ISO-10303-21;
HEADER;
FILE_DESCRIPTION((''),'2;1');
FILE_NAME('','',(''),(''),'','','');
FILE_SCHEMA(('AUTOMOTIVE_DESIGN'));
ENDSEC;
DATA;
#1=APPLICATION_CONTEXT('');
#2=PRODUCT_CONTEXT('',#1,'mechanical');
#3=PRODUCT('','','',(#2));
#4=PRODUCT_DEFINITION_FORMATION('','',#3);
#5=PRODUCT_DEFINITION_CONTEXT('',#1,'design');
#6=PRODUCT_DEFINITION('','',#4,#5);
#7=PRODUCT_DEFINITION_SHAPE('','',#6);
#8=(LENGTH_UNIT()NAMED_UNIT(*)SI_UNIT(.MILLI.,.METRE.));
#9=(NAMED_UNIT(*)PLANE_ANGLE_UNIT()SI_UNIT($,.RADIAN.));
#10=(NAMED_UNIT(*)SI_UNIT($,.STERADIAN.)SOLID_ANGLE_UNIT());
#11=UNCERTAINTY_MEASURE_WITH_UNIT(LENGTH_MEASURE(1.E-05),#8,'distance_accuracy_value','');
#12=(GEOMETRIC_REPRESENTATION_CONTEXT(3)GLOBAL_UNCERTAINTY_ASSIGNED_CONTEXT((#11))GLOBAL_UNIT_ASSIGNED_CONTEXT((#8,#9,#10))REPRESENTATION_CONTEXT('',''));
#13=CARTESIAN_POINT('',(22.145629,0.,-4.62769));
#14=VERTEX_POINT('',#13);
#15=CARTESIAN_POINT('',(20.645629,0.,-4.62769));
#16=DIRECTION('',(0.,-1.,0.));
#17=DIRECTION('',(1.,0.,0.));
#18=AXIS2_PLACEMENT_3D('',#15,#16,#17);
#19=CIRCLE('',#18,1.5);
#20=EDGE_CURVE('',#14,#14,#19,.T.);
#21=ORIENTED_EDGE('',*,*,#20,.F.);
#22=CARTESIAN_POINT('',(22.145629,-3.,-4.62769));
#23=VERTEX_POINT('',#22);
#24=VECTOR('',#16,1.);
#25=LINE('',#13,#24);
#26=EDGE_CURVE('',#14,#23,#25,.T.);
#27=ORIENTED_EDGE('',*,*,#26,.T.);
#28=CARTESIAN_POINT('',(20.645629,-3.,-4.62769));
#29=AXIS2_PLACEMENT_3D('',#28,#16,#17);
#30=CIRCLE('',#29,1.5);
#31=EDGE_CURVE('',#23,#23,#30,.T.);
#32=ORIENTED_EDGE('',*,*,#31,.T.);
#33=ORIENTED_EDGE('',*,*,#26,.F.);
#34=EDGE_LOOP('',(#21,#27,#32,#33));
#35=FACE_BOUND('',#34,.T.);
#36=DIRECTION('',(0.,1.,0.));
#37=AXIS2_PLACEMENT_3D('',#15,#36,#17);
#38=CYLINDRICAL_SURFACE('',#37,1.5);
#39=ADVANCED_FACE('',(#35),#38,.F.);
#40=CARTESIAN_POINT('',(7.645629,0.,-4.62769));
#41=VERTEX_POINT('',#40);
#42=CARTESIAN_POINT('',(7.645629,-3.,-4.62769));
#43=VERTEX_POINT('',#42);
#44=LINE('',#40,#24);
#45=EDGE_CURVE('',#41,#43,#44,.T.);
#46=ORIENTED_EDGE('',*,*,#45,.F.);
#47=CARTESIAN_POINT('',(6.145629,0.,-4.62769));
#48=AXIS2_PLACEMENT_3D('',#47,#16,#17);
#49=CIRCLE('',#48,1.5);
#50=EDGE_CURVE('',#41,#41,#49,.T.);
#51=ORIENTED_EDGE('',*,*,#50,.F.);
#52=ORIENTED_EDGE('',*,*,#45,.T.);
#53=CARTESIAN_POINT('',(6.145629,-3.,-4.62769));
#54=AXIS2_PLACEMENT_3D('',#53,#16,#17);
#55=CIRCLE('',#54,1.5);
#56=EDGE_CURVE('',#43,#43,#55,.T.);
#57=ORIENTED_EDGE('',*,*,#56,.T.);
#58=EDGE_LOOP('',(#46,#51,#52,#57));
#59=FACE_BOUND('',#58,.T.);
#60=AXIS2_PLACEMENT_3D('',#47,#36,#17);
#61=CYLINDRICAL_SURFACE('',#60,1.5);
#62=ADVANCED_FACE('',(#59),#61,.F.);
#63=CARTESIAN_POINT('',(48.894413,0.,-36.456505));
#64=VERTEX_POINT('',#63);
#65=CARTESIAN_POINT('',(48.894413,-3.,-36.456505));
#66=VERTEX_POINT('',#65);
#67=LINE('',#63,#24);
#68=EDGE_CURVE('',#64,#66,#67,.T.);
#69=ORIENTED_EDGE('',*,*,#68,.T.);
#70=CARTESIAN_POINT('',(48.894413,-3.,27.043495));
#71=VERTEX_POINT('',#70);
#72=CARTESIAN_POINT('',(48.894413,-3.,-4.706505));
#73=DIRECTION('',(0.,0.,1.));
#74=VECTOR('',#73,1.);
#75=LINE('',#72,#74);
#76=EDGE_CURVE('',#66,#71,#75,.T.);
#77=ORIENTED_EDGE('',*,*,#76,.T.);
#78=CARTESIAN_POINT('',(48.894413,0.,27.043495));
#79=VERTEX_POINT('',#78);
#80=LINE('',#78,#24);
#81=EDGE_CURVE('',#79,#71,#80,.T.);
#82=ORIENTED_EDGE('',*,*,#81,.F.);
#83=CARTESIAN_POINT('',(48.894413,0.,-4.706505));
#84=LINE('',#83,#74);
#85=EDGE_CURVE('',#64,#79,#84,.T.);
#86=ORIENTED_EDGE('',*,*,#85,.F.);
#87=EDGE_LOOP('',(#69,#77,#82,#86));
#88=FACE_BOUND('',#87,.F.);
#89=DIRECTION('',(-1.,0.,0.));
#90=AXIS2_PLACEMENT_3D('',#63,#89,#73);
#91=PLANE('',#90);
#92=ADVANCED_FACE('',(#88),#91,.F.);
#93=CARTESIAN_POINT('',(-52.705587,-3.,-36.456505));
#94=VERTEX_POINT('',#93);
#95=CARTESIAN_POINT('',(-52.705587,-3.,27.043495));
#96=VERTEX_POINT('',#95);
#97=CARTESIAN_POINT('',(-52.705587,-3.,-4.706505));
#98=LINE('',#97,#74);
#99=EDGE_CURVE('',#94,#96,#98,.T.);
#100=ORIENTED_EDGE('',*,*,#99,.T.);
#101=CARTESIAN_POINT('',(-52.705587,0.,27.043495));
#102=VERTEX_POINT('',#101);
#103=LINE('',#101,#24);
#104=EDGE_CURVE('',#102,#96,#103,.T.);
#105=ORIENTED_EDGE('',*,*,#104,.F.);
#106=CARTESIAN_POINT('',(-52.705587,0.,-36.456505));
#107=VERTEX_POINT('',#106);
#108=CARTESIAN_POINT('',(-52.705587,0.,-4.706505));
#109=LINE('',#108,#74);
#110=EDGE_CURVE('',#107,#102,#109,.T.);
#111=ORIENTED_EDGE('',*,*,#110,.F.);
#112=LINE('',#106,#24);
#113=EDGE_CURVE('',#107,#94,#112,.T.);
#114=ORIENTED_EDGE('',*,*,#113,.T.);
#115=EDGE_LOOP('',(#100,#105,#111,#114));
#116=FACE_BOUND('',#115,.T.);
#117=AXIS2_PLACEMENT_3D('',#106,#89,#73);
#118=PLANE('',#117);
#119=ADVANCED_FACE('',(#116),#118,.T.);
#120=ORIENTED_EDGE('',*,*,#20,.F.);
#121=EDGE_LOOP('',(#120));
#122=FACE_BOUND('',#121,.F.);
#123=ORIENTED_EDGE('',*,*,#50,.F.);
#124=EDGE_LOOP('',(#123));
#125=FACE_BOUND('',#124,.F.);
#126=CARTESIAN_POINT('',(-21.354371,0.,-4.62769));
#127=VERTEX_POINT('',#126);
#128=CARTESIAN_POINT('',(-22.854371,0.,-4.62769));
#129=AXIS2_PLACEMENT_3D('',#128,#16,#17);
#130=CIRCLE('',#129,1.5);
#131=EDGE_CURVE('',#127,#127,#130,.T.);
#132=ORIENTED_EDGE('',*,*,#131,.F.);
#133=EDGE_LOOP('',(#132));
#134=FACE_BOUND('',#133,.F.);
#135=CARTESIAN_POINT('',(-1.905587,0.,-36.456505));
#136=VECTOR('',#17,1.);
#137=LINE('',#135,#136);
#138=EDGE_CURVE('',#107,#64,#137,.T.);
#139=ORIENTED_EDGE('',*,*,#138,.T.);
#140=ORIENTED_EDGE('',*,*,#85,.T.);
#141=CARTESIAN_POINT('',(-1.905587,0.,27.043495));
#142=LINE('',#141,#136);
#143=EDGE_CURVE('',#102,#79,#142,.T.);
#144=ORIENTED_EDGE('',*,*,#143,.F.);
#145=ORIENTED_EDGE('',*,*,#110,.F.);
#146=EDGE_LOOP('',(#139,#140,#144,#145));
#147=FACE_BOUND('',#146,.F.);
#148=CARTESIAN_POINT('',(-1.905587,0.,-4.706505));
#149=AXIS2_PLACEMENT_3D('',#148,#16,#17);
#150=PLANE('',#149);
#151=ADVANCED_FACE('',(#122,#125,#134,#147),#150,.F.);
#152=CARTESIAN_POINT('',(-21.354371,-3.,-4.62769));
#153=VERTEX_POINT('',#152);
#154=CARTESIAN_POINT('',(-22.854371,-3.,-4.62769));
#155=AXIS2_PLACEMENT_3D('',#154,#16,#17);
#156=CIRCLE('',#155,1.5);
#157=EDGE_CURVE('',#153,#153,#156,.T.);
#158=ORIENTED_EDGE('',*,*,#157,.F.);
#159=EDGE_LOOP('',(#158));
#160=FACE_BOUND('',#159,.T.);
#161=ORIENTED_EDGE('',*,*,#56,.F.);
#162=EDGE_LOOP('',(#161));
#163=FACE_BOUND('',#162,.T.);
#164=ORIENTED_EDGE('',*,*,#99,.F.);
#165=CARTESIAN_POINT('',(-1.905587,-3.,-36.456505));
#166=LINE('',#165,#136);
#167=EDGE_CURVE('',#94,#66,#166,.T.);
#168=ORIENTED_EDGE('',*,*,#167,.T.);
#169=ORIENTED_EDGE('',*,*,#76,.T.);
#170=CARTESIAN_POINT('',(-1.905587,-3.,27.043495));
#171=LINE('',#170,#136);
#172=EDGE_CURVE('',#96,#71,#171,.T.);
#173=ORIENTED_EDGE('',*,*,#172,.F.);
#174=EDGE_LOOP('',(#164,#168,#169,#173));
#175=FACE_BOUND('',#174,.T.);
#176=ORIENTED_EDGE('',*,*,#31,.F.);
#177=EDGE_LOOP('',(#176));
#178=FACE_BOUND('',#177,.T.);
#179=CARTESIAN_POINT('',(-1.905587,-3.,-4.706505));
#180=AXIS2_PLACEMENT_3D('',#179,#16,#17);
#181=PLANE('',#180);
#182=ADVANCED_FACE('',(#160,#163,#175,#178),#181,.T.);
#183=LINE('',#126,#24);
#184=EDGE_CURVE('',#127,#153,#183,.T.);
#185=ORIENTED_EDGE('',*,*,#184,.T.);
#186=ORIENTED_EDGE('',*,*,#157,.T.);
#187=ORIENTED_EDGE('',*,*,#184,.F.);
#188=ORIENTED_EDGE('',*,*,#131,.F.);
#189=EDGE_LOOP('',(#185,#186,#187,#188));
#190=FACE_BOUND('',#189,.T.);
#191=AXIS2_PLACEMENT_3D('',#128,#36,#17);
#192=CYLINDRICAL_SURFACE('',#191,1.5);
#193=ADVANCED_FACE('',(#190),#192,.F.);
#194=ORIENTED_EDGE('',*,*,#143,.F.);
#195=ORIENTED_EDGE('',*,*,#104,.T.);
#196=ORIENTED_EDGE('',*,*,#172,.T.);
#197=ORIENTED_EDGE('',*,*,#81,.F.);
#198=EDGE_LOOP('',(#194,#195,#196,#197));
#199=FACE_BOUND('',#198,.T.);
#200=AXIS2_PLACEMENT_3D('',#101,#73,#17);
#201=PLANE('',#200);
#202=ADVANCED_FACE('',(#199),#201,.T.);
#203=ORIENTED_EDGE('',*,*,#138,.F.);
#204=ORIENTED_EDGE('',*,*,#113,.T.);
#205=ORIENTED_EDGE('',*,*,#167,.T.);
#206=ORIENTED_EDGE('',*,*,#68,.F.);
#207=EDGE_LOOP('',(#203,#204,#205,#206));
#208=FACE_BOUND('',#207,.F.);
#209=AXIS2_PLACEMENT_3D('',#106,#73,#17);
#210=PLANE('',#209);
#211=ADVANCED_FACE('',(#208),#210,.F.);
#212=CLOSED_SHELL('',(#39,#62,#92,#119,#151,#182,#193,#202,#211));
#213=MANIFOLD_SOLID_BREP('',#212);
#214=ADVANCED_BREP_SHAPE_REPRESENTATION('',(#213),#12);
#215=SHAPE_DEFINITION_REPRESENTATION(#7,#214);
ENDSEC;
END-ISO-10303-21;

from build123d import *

# Parameters (mm, degrees)
F0_W     = 101.6
F0_H     = 63.5
F0_R     = 1.5
F1_DEPTH = 3


with BuildPart() as f1:
    # F0 (on Front) → F1 (new body)
    with BuildSketch(Plane.XZ):
        with Locations((-1.905587, -4.706505)):
            Rectangle(F0_W, F0_H)
        with Locations((-22.854371, -4.62769)):
            Circle(F0_R, mode=Mode.SUBTRACT)
        with Locations((6.145629, -4.62769)):
            Circle(F0_R, mode=Mode.SUBTRACT)
        with Locations((20.645629, -4.62769)):
            Circle(F0_R, mode=Mode.SUBTRACT)
    extrude(amount=F1_DEPTH)


solid = f1.part
